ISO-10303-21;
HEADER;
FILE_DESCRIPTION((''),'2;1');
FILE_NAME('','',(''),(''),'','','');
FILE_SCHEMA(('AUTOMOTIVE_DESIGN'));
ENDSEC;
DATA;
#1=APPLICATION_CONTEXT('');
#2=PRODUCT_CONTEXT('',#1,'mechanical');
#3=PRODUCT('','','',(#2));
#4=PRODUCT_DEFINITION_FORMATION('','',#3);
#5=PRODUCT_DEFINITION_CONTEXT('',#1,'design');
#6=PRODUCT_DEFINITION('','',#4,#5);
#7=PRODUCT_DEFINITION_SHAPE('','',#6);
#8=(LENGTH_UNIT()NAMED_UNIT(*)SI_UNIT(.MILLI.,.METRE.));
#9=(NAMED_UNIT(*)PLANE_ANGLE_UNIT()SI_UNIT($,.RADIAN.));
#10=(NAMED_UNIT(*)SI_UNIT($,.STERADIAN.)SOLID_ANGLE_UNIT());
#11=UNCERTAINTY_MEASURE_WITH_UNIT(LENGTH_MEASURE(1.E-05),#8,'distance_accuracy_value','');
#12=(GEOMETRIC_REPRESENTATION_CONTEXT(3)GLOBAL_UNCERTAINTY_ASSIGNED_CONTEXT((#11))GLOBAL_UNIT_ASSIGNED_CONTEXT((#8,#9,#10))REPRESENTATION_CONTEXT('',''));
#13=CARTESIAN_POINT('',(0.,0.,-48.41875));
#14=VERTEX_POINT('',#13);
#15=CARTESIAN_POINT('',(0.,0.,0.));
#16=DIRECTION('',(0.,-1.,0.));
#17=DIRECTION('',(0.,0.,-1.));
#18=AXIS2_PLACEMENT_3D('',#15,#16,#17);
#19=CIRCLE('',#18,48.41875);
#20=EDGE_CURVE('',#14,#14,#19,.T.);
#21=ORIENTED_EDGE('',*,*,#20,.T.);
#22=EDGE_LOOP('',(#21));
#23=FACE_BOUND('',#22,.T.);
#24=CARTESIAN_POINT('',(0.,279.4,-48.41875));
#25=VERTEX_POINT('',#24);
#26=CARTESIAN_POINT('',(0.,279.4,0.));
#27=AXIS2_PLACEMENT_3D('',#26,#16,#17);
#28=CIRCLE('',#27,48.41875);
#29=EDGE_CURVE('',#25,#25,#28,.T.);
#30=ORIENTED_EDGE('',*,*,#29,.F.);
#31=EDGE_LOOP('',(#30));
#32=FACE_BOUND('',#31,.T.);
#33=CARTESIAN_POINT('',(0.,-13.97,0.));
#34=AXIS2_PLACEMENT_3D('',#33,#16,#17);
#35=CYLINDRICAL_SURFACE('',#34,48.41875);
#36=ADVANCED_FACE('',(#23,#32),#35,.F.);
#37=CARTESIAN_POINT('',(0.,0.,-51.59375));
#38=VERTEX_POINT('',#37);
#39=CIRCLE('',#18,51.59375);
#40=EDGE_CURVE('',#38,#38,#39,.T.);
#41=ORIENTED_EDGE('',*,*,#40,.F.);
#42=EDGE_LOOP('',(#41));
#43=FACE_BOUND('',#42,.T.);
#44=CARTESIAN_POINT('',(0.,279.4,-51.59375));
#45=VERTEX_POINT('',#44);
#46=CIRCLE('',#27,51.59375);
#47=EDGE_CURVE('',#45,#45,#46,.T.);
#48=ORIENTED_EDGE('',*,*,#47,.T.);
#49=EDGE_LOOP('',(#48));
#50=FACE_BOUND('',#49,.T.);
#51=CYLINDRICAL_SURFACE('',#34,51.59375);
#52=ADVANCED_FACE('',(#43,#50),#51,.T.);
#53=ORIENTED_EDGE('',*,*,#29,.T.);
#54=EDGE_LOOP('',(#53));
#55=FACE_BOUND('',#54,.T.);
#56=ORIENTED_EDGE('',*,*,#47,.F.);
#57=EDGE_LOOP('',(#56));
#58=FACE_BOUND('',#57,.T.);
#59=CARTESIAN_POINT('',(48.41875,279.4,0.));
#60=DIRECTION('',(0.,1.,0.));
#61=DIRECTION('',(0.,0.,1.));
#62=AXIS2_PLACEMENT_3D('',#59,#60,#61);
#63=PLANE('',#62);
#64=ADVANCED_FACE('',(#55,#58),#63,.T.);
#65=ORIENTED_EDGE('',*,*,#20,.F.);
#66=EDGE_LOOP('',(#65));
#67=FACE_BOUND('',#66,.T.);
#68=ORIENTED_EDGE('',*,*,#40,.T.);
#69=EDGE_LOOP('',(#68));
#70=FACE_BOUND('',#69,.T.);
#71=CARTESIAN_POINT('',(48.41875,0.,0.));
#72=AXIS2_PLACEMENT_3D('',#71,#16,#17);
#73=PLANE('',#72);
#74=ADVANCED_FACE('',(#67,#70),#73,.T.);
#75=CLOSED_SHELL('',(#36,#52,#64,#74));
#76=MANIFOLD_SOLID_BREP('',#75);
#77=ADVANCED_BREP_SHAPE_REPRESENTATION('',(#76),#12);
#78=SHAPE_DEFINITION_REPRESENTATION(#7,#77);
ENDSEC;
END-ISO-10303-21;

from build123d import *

# Parameters (mm, degrees)
SKETCH1_W = 3.175
SKETCH1_H = 279.4


with BuildPart() as part:
    # Sketch1 → Revolve1 (revolve)
    with BuildSketch(Plane.XY):
        with Locations((50.00625, 139.7)):
            Rectangle(SKETCH1_W, SKETCH1_H)
    revolve(axis=Axis((0, -13.97, 0), (0, 1, 0)))


solid = part.part
